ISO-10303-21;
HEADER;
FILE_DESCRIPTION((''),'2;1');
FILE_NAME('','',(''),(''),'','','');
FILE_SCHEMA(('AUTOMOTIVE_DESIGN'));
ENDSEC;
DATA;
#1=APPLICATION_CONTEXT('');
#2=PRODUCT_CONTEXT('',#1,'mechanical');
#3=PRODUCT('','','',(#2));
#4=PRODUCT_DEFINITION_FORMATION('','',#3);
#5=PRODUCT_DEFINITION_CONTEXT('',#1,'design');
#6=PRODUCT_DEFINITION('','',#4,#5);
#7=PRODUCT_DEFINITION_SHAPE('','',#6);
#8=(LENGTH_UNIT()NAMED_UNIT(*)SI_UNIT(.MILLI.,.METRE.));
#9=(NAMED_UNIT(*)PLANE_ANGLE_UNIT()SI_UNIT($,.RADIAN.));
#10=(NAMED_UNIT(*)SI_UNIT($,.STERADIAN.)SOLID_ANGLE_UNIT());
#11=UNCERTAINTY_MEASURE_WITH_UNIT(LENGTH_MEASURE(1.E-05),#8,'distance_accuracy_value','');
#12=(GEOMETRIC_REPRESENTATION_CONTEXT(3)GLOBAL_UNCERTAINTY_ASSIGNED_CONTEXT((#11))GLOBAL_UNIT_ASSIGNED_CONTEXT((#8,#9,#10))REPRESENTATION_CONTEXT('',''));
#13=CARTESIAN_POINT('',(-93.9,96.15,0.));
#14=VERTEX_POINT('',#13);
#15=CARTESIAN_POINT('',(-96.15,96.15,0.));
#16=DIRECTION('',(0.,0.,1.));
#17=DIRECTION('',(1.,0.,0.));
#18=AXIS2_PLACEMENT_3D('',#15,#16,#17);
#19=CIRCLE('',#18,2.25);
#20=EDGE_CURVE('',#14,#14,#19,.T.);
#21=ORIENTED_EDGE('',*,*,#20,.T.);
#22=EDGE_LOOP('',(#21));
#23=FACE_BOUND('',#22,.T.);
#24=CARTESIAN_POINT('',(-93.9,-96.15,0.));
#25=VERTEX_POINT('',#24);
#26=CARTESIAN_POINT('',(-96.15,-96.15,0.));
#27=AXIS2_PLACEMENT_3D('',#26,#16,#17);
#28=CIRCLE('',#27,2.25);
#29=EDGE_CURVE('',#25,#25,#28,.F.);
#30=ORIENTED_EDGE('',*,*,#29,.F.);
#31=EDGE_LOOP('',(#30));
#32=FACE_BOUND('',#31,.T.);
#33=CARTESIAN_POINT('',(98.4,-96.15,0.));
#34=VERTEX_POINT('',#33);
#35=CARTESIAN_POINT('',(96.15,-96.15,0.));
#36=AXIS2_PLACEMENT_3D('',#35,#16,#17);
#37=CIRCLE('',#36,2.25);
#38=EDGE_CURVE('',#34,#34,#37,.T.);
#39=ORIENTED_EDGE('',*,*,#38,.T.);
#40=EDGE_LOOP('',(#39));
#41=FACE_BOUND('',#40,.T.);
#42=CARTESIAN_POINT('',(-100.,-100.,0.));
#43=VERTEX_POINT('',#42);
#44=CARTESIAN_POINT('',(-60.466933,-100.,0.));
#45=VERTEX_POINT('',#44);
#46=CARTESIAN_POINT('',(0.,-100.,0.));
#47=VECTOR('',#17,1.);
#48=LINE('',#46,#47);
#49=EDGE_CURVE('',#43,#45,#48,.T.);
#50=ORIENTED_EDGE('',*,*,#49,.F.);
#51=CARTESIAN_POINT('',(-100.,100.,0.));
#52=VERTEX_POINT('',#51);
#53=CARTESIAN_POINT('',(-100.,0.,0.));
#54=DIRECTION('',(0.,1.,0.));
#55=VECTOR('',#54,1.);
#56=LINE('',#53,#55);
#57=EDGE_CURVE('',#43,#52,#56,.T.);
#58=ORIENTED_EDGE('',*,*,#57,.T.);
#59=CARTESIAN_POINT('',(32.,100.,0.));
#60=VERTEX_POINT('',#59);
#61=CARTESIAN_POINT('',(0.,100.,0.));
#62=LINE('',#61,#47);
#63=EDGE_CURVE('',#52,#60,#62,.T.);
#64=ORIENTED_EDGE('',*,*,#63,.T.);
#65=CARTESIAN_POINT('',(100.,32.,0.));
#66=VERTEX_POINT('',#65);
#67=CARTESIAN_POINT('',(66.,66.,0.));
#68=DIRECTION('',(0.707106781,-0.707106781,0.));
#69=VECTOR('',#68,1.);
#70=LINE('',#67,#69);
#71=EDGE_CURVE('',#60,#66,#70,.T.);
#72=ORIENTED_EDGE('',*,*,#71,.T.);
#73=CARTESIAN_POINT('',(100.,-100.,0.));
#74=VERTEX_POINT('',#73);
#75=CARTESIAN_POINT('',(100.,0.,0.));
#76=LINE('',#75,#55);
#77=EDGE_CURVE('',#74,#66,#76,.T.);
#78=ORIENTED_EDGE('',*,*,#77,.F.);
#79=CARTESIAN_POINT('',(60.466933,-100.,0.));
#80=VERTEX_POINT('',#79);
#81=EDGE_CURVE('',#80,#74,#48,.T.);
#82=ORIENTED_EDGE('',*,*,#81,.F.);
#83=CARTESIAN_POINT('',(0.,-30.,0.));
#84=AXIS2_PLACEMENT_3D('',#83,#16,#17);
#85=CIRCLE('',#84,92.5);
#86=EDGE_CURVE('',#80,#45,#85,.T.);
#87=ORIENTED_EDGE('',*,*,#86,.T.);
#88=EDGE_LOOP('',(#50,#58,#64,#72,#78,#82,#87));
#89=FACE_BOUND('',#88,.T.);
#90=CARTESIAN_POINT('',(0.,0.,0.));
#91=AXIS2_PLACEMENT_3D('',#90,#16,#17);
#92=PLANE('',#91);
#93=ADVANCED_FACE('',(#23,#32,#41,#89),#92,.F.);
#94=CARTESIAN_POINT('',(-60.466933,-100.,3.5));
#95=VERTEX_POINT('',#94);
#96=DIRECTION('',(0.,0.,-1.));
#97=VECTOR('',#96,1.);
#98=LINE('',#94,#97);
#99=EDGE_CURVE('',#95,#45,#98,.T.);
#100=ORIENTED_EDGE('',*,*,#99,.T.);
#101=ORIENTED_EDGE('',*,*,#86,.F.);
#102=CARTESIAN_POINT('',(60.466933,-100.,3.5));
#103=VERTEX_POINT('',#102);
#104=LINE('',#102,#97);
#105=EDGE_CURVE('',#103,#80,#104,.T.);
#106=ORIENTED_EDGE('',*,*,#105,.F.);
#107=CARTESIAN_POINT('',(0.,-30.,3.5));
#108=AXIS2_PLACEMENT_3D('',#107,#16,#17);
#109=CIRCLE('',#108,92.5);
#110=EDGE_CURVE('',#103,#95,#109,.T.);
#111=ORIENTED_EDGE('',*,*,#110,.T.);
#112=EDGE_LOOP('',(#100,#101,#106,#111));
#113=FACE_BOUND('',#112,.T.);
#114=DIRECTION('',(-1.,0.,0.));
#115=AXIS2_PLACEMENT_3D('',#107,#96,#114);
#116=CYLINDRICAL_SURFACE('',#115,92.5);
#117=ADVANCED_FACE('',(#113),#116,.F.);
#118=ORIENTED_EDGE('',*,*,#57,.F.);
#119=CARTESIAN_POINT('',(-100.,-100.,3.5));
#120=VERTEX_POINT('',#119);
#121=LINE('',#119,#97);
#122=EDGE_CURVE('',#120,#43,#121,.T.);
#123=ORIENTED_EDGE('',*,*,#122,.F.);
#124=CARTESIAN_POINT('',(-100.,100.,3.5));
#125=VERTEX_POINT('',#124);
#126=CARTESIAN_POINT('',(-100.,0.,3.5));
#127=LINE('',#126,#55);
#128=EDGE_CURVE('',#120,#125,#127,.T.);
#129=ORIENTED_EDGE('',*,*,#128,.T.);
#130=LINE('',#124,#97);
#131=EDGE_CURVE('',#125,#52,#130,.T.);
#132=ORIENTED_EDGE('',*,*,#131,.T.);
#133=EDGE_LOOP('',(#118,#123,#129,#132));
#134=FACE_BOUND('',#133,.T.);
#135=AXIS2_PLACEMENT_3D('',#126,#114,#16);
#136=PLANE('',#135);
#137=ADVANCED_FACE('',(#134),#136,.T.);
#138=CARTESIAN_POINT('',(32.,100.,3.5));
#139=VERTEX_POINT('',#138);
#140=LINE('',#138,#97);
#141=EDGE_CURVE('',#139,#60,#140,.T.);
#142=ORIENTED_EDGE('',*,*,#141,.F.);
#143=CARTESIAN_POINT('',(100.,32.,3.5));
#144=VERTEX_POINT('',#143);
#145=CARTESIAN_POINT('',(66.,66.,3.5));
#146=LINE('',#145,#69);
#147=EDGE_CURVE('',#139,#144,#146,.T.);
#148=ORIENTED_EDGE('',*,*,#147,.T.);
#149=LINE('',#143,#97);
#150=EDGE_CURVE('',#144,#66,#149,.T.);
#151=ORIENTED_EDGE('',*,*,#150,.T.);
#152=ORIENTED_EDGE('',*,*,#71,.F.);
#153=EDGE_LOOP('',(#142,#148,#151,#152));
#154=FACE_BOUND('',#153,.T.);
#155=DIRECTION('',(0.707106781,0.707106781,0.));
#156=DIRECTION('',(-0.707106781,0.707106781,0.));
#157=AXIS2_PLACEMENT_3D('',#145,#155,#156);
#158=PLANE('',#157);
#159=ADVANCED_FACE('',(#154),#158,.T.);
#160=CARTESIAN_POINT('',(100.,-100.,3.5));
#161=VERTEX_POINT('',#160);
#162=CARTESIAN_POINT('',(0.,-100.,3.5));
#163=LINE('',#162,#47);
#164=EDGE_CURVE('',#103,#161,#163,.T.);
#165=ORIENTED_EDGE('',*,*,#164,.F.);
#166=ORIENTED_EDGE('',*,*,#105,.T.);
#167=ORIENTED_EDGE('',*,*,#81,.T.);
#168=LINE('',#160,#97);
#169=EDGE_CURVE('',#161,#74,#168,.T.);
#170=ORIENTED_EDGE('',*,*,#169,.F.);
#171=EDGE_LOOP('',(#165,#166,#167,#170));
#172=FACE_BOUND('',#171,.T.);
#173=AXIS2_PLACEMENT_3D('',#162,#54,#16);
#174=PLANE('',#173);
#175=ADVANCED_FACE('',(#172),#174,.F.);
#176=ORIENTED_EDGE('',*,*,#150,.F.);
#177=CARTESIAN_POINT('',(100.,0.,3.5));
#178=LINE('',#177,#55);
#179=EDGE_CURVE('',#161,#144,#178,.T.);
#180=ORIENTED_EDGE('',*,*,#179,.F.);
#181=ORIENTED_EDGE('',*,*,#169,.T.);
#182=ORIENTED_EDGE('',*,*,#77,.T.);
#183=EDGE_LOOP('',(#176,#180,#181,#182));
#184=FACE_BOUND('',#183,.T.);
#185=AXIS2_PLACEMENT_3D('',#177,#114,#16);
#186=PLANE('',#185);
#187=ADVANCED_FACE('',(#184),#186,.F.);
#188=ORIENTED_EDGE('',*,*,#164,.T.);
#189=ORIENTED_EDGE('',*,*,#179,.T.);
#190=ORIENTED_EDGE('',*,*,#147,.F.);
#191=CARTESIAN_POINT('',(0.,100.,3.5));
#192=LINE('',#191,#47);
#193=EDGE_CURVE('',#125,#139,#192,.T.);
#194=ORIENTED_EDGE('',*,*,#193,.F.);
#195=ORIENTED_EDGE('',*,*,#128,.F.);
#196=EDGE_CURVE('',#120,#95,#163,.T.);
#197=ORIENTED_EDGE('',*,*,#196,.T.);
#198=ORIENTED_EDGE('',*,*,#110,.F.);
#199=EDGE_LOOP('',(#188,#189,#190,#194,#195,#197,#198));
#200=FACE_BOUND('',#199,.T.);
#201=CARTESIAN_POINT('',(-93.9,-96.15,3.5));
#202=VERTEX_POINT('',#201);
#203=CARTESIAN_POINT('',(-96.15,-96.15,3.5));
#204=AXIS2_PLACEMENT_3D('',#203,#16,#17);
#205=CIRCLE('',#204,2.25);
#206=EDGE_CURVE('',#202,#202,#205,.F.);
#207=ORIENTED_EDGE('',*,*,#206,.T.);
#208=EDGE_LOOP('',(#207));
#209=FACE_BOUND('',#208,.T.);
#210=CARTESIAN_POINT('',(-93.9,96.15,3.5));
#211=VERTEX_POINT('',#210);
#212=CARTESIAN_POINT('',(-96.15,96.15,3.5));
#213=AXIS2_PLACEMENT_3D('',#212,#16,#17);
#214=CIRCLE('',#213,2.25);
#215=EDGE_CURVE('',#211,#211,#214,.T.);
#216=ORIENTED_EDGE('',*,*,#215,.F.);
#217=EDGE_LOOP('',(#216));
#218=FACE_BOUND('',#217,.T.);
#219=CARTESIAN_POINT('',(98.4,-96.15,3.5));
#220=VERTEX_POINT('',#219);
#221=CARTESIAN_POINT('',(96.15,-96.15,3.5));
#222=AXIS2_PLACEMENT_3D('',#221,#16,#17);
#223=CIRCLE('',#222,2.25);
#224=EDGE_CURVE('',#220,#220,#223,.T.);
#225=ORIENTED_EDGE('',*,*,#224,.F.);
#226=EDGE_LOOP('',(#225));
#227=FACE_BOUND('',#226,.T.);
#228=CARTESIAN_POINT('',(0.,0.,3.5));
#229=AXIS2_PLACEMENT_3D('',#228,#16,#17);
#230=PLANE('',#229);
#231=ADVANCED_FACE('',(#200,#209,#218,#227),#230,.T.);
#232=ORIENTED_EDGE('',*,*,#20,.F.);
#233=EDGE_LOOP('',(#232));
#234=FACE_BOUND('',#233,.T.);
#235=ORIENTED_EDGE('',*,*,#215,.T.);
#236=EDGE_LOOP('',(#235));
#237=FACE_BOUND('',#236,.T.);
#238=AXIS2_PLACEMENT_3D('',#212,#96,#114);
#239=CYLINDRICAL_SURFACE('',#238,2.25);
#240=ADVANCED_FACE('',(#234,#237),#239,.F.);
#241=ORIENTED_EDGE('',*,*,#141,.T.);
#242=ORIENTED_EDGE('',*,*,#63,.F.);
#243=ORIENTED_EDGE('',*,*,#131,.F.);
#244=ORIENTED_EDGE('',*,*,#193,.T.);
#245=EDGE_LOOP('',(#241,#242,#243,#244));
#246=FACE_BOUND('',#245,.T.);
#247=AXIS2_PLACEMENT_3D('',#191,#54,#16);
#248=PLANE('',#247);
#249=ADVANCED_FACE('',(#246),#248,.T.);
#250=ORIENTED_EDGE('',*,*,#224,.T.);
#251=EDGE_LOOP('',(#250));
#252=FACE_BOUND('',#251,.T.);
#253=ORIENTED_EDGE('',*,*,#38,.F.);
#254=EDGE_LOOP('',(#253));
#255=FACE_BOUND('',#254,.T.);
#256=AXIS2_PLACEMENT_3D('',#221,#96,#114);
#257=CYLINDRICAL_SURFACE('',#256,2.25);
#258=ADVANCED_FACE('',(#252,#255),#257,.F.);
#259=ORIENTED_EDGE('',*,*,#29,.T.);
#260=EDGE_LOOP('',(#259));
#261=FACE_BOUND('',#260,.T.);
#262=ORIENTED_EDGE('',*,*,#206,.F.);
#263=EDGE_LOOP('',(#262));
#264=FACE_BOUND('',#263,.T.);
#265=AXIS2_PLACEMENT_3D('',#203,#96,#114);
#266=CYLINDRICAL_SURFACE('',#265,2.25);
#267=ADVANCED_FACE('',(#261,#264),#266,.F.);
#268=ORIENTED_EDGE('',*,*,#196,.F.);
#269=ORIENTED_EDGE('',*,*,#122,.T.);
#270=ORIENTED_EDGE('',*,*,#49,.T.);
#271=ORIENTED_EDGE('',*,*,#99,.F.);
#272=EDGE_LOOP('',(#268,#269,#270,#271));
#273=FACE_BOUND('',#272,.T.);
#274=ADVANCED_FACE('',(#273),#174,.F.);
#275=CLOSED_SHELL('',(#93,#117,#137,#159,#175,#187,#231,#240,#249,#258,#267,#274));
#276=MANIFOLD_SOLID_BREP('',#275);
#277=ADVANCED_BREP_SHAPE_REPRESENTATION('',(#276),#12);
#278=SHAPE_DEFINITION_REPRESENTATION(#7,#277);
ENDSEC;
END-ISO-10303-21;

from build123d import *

# Parameters (mm, degrees)
SKETCH1_R           = 2.25
BOSS_EXTRUDE1_DEPTH = 3.5


with BuildPart() as part:
    # Sketch1 → Boss-Extrude1 (new body)
    with BuildSketch(Plane.XY):
        with BuildLine():
            Line((-100, 100), (-100, -100))
            Line((-100, -100), (-60.466933112, -100))
            ThreePointArc((-60.466933112, -100), (-38.490639688, 54.111358665), (92.5, -30))
            ThreePointArc((92.5, -30), (84.111358665, -68.490639688), (60.466933112, -100))
            Line((60.466933112, -100), (100, -100))
            Line((100, -100), (100, 32))
            Line((100, 32), (32, 100))
            Line((32, 100), (-100, 100))
        make_face()
        with Locations((-96.15, -96.15)):
            Circle(SKETCH1_R, mode=Mode.SUBTRACT)
        with Locations((96.15, -96.15)):
            Circle(SKETCH1_R, mode=Mode.SUBTRACT)
        with Locations((-96.15, 96.15)):
            Circle(SKETCH1_R, mode=Mode.SUBTRACT)
    extrude(amount=BOSS_EXTRUDE1_DEPTH)


solid = part.part
